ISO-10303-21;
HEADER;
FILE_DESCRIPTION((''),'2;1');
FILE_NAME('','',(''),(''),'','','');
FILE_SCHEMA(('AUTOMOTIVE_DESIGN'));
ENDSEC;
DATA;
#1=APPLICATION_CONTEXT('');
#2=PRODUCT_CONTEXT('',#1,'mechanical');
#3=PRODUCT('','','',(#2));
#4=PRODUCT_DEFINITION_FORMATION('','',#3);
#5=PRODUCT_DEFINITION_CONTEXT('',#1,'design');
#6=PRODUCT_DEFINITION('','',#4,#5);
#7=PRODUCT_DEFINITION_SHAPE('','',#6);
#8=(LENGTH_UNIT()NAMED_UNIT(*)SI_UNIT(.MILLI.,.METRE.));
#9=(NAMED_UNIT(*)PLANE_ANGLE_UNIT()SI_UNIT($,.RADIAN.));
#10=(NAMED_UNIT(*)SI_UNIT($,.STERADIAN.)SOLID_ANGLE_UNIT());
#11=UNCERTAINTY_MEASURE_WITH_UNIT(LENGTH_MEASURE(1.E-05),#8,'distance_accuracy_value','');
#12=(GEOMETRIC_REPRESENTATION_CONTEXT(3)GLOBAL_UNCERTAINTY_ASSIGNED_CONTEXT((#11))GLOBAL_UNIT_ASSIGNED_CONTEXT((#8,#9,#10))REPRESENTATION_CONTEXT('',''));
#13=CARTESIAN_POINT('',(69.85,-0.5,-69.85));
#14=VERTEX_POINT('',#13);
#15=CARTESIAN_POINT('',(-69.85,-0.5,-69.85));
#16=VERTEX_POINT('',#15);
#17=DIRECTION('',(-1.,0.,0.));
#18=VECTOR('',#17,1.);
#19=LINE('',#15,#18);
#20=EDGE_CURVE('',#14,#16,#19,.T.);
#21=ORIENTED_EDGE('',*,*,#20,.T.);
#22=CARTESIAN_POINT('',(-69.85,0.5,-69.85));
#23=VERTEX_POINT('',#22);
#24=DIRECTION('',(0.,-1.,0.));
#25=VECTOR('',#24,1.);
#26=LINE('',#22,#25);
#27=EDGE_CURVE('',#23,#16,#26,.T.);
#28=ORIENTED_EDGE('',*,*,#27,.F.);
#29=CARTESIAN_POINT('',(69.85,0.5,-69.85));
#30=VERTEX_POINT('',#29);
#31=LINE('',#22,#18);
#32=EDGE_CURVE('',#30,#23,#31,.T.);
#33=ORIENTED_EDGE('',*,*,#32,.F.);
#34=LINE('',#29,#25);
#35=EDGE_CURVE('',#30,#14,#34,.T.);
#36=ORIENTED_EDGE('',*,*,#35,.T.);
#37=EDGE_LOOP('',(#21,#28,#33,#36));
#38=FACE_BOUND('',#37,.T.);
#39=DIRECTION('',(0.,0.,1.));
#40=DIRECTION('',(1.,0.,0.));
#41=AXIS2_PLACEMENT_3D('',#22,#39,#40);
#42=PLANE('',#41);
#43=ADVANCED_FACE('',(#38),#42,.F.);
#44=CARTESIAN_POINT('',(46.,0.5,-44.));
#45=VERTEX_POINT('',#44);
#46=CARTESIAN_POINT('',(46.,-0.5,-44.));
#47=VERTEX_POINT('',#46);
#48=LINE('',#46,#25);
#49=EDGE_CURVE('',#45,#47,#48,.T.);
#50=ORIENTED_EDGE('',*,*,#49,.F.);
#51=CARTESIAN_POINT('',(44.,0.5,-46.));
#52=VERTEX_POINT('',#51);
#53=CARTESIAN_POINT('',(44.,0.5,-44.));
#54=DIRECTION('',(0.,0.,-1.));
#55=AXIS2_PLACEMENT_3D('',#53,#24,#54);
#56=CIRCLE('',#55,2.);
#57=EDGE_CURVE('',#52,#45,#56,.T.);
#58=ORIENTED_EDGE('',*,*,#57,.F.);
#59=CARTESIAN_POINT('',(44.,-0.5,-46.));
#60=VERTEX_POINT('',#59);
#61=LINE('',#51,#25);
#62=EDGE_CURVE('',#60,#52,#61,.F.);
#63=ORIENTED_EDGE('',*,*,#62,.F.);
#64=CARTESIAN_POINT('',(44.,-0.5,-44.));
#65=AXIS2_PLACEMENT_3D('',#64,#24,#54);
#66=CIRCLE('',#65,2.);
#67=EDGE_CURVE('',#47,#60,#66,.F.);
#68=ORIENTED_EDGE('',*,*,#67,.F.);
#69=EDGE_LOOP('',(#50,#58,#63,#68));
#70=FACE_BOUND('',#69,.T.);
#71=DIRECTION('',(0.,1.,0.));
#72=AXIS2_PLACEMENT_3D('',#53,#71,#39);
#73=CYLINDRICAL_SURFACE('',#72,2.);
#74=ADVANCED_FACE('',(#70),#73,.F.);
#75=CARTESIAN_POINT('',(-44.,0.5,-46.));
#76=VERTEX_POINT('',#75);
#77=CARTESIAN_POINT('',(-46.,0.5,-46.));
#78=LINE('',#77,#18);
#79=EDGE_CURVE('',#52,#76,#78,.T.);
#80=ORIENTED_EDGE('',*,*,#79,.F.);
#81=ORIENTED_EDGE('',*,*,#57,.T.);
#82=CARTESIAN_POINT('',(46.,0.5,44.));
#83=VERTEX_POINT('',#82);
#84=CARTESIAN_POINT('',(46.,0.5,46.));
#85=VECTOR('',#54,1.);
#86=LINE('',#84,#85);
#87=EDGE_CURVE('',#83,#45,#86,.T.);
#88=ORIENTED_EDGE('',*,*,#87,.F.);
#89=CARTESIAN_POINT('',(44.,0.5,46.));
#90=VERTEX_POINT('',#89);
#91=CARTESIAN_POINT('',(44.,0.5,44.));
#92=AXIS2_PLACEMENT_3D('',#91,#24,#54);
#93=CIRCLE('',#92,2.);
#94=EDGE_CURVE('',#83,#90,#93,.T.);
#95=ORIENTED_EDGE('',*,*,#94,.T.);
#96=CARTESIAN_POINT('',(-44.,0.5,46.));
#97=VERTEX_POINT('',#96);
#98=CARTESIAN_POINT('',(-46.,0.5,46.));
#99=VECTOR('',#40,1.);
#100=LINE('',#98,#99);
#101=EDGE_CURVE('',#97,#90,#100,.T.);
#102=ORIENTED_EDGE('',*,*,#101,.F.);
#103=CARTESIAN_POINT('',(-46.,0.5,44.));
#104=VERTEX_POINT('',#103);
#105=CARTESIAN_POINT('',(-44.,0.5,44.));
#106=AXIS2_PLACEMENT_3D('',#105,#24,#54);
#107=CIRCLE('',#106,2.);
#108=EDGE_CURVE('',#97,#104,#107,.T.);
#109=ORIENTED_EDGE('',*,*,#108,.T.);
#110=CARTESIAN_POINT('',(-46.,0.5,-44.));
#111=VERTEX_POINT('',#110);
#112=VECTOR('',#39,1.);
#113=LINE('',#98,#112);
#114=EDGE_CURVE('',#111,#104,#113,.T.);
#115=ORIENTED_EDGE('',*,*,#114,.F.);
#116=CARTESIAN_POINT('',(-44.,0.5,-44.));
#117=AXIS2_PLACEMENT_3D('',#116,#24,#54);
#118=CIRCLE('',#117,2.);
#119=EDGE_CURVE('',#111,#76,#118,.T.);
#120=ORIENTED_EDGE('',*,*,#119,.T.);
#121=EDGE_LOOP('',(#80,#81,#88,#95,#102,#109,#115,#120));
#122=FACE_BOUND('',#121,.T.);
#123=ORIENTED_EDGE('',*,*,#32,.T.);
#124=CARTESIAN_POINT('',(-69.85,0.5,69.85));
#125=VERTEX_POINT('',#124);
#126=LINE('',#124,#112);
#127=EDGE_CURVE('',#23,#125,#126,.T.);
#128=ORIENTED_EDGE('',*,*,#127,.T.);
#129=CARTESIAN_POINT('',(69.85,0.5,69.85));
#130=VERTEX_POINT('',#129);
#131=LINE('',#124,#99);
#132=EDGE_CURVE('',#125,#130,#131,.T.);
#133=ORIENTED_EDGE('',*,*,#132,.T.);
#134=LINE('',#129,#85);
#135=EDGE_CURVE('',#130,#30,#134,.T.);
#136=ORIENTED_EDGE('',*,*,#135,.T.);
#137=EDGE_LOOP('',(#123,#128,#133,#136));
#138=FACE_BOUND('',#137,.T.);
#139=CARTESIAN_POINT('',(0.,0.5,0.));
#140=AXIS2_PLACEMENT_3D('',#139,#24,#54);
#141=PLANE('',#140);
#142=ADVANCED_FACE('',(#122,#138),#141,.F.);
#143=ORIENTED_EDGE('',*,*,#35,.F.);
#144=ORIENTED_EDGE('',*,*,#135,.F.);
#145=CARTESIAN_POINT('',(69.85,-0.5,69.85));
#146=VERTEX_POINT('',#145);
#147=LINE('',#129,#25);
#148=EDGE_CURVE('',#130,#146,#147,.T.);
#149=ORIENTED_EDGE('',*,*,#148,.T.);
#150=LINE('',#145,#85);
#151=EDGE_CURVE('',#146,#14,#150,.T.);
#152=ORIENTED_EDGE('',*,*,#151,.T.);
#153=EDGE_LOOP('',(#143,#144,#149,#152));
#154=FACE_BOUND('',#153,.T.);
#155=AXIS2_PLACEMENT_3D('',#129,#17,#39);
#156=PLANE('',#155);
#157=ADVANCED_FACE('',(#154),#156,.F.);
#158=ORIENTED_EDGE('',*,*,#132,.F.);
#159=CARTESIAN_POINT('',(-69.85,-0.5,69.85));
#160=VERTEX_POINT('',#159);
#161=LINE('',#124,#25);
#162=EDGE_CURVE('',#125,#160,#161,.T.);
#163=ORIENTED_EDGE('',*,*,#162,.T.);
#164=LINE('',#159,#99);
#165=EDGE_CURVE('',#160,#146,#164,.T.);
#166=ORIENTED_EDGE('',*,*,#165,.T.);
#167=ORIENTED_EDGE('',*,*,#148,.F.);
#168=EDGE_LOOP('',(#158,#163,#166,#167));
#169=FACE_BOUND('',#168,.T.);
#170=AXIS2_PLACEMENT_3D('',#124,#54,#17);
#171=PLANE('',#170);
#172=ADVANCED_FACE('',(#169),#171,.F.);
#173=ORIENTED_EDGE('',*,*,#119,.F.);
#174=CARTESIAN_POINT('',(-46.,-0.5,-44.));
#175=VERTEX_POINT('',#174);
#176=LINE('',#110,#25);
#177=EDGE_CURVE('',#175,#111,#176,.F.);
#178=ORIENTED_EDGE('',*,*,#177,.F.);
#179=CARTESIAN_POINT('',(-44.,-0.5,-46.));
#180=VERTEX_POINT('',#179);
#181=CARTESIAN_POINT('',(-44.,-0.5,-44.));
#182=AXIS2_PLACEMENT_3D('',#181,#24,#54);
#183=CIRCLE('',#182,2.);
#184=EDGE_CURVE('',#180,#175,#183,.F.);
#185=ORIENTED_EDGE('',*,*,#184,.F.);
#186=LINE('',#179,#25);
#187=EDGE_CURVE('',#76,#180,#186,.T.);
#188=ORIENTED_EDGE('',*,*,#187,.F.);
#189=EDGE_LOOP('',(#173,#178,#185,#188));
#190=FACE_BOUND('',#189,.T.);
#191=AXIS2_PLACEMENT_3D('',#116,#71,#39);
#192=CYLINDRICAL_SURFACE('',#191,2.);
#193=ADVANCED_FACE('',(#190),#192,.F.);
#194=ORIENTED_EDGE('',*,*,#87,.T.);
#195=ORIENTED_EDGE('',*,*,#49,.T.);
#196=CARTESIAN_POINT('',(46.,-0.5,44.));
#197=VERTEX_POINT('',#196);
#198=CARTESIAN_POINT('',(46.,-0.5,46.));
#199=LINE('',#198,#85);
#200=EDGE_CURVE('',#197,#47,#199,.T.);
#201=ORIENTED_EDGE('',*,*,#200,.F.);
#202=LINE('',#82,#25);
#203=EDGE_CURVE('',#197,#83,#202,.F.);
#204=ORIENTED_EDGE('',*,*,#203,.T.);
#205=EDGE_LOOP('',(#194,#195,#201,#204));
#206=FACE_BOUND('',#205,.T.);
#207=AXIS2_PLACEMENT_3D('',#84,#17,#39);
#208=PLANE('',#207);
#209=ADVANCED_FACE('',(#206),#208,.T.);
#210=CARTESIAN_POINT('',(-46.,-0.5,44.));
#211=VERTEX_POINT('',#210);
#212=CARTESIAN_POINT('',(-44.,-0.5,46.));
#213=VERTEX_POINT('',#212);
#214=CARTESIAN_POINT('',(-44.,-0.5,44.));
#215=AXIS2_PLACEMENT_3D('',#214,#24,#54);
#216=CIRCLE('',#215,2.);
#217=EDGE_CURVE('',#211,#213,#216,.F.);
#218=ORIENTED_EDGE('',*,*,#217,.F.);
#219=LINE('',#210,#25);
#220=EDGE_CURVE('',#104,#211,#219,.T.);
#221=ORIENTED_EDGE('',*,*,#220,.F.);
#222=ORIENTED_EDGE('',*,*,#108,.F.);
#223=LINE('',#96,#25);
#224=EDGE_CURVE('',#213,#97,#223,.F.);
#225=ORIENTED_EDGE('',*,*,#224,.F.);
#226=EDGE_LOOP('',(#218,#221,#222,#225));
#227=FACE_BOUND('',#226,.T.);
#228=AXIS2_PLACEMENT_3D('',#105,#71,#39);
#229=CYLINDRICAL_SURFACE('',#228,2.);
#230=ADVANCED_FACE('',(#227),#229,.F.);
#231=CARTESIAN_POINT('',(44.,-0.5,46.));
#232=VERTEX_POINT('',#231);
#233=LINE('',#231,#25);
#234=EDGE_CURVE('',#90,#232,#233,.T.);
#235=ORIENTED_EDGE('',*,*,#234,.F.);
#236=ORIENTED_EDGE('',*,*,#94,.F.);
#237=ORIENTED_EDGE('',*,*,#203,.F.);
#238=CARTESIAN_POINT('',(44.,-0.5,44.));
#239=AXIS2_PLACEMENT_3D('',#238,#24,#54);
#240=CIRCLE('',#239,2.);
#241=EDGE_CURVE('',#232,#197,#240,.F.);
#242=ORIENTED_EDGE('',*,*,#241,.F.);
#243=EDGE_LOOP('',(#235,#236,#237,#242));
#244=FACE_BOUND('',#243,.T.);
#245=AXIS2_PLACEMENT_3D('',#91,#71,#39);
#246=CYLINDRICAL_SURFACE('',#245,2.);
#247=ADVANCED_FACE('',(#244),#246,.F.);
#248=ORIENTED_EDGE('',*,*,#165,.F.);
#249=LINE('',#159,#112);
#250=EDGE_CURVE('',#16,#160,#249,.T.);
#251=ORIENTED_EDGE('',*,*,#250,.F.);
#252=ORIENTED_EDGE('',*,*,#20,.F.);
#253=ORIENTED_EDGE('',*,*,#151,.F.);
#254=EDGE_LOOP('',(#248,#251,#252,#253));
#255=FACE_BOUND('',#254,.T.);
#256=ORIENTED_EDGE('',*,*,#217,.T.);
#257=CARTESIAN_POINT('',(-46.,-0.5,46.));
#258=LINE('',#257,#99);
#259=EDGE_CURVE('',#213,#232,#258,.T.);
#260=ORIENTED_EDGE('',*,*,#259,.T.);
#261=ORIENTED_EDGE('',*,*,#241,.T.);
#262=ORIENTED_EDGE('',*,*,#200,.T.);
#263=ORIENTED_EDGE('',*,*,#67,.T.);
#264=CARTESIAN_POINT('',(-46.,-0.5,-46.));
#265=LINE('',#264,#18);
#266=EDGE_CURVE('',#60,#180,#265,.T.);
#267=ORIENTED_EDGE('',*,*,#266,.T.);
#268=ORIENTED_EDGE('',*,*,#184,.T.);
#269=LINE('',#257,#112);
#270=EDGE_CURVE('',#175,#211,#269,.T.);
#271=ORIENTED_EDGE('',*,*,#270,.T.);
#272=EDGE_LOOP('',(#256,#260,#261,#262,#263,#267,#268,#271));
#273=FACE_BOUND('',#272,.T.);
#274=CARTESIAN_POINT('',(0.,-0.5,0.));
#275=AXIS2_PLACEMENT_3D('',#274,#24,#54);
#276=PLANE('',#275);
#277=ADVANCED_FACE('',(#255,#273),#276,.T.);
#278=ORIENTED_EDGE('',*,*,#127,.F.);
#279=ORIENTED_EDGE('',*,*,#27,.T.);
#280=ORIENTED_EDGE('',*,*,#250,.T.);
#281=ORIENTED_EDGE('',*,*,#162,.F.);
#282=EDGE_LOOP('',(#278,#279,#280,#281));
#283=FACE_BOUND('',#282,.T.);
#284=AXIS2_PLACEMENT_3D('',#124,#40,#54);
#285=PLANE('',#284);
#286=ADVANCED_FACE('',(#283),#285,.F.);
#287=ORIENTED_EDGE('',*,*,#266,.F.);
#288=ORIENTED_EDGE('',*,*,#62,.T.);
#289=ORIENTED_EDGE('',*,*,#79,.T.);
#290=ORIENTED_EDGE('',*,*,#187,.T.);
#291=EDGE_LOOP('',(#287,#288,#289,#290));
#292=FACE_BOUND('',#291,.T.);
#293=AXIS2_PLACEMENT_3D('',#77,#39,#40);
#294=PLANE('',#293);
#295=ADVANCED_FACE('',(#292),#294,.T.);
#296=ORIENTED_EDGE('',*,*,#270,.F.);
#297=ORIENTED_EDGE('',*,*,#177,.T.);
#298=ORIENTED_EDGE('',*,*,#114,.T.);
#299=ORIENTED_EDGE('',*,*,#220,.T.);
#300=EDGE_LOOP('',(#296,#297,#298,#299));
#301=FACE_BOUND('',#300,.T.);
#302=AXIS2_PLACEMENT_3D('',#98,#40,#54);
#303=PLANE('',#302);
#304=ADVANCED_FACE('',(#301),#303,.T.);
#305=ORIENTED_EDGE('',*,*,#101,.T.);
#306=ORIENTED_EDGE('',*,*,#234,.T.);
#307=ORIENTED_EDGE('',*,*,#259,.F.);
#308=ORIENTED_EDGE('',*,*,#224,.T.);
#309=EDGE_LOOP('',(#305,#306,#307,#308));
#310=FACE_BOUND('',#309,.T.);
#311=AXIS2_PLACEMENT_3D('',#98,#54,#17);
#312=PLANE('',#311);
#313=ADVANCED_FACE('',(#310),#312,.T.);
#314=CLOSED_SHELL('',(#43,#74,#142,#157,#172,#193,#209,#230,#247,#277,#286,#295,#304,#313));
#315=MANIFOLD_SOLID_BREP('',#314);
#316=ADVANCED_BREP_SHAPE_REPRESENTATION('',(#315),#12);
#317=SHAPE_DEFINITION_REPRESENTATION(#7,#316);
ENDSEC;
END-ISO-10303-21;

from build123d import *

# Parameters (mm, degrees)
SKETCH1_W           = 139.7
SKETCH1_H           = 139.7
SKETCH1_W_2         = 92
SKETCH1_H_2         = 92
BOSS_EXTRUDE1_DEPTH = 0.5
FILLET1_R           = 2


with BuildPart() as part:
    # Sketch1 → Boss-Extrude1 (new, symmetric)
    with BuildSketch(Plane(origin=(0, 0, 0), x_dir=(1, 0, 0), z_dir=(0, 1, 0))):
        Rectangle(SKETCH1_W, SKETCH1_H)
        Rectangle(SKETCH1_W_2, SKETCH1_H_2, mode=Mode.SUBTRACT)
    extrude(amount=BOSS_EXTRUDE1_DEPTH, both=True)

    # Fillet1
    fillet1_edges = [part.edges().sort_by_distance(p)[0] for p in [
        (46, 0, 46),
        (46, 0, -46),
        (-46, 0, -46),
        (-46, 0, 46),
    ]]
    fillet(fillet1_edges, radius=FILLET1_R)


solid = part.part
